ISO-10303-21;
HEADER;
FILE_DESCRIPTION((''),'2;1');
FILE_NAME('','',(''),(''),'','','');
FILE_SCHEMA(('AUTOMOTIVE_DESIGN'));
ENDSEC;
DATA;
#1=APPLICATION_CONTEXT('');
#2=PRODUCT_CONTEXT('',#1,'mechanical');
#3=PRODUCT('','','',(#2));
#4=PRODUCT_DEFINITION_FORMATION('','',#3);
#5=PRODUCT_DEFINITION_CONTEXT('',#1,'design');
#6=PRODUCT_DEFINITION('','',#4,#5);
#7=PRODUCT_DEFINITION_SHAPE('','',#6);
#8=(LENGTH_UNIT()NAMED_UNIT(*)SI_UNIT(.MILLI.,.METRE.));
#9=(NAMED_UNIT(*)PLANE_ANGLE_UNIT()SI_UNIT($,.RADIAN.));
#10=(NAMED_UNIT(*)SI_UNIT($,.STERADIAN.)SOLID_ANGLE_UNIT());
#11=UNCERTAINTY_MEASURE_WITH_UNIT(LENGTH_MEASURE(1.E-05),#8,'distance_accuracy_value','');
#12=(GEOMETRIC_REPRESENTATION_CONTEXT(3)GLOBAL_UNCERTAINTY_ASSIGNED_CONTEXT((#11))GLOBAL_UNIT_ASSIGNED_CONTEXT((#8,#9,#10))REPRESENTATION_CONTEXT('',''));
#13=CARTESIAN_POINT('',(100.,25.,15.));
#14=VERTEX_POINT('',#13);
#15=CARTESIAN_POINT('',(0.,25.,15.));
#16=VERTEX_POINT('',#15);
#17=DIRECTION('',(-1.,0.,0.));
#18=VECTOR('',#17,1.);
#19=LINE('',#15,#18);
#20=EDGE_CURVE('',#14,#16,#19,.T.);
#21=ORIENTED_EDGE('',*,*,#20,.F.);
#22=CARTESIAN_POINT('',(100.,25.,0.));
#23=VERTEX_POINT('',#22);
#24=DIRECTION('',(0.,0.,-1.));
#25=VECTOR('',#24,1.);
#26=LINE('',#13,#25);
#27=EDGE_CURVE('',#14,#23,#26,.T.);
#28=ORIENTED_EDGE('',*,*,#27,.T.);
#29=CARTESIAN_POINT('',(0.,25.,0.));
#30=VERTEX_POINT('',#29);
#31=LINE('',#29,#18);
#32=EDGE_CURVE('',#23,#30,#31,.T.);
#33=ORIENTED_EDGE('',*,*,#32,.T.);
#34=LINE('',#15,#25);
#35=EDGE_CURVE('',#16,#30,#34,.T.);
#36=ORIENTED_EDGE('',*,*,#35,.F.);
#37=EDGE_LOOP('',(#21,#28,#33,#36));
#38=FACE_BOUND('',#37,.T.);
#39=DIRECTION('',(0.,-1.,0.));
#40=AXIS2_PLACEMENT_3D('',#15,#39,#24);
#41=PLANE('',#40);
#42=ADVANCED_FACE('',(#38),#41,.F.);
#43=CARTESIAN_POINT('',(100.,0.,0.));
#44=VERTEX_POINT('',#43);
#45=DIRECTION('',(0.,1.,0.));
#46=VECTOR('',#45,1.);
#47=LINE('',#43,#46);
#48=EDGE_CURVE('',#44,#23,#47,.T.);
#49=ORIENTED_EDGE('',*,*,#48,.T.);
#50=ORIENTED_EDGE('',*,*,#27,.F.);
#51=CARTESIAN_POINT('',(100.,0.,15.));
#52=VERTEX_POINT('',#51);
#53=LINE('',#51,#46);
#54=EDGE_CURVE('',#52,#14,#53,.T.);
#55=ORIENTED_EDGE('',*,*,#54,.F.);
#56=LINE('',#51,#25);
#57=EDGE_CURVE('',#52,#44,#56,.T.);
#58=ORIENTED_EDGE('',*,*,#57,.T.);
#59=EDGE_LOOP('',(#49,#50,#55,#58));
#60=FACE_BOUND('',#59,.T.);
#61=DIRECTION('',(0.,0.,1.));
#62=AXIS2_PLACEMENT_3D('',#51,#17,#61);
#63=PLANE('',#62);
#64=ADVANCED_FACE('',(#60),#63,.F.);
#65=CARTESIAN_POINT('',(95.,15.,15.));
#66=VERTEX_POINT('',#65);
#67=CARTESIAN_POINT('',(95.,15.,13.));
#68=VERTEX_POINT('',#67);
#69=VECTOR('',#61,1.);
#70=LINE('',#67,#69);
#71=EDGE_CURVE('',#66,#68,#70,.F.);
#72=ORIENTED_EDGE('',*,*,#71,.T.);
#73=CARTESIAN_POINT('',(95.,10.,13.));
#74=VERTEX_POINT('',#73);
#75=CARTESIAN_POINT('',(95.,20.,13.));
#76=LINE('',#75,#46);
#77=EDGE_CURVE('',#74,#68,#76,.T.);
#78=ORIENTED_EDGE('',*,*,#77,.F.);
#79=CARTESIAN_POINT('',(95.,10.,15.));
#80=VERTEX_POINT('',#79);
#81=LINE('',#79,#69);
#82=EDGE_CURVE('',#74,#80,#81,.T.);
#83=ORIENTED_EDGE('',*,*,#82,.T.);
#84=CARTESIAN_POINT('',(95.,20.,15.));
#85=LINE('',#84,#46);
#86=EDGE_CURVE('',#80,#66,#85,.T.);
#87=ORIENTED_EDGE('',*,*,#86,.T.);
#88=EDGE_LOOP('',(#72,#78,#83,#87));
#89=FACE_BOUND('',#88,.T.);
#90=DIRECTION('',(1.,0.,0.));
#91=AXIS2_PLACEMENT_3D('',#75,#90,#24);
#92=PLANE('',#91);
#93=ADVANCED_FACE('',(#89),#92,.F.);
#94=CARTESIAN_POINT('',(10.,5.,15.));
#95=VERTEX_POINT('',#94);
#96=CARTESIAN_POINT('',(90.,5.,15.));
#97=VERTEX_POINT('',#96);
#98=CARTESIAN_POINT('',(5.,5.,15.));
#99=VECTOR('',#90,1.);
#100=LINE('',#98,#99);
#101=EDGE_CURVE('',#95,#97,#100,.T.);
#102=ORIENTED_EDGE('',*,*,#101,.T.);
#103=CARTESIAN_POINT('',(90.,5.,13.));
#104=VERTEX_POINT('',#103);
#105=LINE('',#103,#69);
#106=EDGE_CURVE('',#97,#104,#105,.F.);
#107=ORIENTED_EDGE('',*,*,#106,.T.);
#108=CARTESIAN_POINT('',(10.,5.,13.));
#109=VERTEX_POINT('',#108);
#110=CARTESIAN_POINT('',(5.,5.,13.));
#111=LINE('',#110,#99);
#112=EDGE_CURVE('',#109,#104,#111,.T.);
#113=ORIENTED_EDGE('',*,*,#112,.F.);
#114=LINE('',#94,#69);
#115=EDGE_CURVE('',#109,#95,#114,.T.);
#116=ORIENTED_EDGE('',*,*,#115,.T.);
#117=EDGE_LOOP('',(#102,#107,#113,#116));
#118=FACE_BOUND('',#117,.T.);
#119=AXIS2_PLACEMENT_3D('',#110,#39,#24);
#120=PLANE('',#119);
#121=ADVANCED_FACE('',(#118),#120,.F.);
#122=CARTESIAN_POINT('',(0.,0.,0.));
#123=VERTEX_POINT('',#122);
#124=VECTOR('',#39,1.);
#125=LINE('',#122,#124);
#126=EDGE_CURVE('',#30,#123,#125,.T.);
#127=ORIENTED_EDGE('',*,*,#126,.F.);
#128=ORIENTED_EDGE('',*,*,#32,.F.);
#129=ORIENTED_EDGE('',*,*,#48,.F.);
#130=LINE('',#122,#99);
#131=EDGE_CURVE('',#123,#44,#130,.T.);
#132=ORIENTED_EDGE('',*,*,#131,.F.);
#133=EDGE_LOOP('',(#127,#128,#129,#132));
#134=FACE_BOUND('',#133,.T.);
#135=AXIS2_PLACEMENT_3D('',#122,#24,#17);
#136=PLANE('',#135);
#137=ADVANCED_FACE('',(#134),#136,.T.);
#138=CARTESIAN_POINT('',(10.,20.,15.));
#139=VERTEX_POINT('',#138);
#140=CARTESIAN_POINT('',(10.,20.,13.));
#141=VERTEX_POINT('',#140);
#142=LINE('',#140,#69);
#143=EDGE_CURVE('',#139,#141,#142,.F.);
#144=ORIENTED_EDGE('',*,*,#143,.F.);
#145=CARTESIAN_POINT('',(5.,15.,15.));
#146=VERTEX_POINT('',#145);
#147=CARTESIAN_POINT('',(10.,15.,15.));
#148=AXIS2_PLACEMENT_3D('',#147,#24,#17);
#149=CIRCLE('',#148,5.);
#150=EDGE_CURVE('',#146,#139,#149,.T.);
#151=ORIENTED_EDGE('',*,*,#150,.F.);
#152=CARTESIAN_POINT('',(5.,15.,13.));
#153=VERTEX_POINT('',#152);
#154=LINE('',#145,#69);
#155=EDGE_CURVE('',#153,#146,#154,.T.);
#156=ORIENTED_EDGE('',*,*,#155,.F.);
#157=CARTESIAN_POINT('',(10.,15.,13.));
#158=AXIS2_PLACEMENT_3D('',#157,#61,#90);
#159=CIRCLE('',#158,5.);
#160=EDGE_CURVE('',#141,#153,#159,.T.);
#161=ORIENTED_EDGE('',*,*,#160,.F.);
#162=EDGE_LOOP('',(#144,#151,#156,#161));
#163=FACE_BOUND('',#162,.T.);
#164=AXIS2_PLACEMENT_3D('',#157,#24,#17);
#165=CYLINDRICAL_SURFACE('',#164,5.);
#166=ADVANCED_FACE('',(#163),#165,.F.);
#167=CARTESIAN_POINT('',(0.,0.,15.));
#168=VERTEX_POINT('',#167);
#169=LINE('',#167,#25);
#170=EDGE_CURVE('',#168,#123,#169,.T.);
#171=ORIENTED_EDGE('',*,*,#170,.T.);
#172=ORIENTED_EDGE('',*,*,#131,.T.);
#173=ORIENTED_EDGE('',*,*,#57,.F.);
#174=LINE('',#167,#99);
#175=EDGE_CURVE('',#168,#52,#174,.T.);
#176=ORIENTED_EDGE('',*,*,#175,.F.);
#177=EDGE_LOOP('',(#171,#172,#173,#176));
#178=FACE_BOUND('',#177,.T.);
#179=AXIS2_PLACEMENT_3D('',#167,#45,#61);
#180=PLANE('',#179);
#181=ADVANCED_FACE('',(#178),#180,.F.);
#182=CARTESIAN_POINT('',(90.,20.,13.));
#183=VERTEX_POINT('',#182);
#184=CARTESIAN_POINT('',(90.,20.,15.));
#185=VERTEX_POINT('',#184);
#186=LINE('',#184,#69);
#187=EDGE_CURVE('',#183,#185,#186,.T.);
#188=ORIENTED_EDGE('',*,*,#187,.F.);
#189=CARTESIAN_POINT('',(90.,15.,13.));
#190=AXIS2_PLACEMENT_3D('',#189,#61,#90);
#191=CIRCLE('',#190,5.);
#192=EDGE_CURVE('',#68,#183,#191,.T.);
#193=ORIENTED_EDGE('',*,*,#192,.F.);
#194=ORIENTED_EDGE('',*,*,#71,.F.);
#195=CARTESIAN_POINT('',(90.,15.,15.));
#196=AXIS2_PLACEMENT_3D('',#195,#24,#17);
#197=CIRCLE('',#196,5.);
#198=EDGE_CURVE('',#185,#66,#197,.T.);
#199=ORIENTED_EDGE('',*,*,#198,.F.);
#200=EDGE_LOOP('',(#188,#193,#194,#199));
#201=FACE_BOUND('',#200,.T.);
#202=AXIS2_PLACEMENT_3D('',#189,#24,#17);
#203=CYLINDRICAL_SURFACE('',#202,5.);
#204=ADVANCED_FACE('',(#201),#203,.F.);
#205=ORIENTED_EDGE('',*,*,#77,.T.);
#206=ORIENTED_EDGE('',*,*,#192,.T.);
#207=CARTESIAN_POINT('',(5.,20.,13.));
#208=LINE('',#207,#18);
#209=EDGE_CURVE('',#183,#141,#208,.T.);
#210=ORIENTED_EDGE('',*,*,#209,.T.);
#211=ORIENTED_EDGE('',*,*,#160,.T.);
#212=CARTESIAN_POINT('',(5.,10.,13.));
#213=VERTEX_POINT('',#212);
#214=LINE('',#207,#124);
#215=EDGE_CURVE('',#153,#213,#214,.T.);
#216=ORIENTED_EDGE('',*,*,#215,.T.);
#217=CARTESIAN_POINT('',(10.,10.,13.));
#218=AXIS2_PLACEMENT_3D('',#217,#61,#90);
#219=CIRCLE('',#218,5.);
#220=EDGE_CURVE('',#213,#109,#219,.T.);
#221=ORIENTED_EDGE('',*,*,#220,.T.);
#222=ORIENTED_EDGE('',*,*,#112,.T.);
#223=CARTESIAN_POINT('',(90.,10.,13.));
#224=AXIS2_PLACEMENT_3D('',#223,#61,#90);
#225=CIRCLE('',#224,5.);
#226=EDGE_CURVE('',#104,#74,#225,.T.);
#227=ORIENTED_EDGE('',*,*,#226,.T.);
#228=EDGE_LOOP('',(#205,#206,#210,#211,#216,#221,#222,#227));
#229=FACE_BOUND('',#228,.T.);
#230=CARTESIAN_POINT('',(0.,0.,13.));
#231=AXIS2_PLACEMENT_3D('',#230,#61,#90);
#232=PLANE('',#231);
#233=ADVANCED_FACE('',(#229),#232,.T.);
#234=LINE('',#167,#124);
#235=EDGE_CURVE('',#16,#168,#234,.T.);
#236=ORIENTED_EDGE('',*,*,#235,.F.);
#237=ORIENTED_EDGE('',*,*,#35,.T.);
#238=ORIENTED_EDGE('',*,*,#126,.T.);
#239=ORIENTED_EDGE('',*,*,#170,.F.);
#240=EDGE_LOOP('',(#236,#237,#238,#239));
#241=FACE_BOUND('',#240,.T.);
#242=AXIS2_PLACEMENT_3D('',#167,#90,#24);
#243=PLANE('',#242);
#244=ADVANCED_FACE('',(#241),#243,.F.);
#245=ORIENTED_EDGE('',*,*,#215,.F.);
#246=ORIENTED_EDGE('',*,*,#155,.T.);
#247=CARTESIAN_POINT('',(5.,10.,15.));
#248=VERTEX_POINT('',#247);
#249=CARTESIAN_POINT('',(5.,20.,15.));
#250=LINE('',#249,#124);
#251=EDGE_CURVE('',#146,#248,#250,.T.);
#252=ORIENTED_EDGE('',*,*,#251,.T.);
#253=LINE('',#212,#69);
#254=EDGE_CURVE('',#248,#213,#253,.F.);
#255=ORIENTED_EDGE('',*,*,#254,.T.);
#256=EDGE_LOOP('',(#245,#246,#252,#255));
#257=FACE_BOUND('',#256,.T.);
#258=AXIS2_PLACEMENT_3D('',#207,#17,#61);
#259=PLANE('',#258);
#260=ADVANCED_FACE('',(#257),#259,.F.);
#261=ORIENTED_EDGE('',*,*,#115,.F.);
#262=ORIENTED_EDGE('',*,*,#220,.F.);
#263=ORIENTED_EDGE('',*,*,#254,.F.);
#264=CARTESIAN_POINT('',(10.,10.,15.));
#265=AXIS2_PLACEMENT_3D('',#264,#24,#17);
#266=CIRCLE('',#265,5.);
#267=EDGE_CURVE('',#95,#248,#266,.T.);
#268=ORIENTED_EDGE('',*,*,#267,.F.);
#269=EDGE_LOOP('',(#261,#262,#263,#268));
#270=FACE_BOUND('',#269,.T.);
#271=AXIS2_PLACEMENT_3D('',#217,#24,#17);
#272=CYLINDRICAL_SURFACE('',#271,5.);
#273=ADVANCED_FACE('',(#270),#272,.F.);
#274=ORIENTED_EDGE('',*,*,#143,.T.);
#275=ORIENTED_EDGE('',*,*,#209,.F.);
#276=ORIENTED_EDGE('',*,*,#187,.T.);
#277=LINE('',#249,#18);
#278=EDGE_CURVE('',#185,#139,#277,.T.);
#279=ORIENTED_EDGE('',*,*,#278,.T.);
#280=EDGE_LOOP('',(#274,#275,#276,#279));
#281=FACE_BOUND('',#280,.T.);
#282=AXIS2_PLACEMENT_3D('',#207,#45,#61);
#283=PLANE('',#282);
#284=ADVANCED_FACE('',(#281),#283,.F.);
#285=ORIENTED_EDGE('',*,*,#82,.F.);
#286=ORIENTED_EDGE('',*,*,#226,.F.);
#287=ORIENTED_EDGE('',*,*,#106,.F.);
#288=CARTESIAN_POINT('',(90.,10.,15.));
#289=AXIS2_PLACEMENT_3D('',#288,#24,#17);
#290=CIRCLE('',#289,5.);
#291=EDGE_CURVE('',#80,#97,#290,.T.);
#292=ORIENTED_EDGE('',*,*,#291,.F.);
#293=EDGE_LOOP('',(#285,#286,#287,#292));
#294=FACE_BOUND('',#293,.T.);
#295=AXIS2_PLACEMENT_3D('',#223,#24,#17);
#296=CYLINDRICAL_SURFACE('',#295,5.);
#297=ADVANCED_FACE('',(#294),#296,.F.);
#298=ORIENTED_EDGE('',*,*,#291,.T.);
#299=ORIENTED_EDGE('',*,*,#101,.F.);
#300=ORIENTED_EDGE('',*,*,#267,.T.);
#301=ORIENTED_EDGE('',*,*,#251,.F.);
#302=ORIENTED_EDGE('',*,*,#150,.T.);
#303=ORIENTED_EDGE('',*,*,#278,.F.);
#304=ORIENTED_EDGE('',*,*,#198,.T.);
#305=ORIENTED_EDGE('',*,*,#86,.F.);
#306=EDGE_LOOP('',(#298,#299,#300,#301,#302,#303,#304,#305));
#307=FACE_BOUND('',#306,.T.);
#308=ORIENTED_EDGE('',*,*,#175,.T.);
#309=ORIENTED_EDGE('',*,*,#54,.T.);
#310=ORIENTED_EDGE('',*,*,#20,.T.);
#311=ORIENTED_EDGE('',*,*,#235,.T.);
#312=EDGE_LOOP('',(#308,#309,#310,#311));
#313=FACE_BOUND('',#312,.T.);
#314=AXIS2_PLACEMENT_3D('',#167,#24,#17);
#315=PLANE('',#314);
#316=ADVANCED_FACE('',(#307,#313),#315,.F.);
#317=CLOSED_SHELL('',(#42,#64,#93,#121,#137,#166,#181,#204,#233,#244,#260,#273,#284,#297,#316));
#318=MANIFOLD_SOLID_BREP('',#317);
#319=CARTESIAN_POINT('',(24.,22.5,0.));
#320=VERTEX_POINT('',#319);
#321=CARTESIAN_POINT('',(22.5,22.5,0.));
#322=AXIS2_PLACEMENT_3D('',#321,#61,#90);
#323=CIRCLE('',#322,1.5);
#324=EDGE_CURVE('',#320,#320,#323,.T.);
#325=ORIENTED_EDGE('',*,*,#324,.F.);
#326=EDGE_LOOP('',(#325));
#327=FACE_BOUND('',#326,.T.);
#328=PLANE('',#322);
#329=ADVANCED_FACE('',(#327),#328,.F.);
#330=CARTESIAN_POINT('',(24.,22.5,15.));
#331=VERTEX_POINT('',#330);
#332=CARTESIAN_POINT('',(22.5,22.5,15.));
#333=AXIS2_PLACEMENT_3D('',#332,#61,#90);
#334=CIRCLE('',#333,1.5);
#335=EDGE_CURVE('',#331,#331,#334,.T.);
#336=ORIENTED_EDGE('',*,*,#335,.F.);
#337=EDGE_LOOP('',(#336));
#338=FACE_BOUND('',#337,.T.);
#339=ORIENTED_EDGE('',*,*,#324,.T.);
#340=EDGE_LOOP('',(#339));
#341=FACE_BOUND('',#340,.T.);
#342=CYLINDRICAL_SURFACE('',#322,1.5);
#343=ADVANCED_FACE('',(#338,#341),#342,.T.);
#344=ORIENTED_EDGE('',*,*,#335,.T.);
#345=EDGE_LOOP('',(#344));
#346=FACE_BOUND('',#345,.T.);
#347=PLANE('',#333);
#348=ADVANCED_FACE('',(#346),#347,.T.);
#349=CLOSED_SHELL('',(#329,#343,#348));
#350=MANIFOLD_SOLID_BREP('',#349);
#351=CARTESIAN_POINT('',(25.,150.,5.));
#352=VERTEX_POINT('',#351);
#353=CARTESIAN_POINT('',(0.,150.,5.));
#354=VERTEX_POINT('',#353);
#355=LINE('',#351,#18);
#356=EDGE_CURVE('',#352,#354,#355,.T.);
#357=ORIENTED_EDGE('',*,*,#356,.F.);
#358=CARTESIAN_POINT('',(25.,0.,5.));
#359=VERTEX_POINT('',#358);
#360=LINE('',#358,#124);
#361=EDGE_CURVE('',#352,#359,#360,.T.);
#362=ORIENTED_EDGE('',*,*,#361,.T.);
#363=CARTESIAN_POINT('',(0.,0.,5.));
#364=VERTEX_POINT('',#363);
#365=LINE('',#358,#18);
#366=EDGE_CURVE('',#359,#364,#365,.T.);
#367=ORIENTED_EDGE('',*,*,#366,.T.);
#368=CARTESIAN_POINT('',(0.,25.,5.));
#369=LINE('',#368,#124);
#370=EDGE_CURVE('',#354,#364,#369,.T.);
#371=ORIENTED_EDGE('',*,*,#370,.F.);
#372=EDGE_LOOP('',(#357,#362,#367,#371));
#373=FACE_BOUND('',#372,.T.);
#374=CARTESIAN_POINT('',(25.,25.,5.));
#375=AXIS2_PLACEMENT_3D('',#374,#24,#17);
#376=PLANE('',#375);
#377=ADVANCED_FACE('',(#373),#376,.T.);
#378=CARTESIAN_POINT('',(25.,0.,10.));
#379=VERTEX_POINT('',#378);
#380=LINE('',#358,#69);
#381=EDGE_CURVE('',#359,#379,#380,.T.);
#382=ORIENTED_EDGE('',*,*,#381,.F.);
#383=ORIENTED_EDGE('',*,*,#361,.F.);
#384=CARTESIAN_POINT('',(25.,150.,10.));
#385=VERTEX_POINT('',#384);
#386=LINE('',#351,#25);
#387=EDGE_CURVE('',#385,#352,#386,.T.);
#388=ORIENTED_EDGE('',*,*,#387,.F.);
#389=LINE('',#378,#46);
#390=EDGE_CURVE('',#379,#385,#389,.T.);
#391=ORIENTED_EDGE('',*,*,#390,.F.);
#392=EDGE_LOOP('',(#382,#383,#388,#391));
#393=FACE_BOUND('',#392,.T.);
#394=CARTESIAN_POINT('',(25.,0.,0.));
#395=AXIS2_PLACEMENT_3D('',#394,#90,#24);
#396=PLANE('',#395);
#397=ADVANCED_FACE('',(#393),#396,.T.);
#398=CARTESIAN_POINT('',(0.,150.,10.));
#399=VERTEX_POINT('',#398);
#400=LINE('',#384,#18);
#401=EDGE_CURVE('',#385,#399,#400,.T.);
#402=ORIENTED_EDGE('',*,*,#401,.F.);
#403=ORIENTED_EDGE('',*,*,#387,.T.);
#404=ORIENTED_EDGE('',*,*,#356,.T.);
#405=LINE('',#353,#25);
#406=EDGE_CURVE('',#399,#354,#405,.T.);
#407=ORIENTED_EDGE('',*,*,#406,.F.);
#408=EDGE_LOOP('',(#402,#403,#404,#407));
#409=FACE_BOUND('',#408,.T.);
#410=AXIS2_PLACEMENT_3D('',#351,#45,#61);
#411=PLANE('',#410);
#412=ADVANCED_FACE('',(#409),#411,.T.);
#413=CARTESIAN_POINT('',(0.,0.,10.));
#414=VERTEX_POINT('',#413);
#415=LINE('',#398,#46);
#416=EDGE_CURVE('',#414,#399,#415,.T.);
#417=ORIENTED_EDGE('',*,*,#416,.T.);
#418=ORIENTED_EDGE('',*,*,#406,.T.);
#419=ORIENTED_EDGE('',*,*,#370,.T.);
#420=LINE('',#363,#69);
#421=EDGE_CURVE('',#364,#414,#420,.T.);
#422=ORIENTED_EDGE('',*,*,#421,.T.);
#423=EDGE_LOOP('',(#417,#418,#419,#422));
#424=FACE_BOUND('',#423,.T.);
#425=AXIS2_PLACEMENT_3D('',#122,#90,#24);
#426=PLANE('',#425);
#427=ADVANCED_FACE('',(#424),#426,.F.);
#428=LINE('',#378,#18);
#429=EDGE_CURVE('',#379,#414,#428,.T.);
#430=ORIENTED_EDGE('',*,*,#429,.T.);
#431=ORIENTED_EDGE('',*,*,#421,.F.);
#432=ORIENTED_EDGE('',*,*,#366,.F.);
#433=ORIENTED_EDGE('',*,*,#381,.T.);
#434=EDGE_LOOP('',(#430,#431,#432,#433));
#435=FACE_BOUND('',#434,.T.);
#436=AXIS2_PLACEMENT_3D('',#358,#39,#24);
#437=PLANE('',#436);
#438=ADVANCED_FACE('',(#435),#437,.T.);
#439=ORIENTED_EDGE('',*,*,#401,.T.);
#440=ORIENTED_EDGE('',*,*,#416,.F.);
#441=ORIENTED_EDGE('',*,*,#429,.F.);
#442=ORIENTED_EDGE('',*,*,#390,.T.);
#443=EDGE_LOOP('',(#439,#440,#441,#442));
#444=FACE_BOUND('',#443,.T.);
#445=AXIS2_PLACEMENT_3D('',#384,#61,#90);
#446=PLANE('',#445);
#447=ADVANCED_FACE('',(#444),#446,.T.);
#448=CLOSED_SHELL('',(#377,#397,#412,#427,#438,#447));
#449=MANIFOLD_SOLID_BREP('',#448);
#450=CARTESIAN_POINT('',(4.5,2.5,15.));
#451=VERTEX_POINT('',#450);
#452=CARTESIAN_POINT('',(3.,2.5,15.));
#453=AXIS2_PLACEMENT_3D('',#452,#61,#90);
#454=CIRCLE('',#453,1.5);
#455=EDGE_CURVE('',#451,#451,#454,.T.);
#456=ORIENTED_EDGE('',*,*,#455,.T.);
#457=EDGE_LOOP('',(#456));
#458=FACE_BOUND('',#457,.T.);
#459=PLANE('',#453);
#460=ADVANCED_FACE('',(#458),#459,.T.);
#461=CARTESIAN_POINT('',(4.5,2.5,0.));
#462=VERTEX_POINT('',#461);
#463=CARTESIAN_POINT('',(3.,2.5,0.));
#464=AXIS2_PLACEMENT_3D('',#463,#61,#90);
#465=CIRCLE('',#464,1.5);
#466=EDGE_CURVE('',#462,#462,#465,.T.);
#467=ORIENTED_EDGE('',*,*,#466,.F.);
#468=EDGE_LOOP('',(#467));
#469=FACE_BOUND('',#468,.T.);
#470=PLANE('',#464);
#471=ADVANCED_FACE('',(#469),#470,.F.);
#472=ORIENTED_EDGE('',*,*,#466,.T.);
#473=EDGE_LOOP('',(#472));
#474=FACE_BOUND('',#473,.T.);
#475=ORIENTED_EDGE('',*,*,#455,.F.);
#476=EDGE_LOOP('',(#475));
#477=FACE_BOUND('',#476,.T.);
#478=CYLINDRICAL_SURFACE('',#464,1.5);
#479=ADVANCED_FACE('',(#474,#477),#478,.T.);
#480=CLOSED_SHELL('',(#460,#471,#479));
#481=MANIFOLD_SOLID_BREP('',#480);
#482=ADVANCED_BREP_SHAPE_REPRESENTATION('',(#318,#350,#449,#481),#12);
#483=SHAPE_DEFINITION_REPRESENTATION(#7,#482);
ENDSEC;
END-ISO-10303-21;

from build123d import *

# Parameters (mm, degrees)
ESQUISSE1_W             = 100
ESQUISSE1_H             = 25
BOSS_EXTRU_1_DEPTH      = 15
BOSS_EXTRU_2_DEPTH      = 25
ESQUISSE3_W             = 90
ESQUISSE3_H             = 15
ENL_V_MAT_EXTRU_1_DEPTH = 2
CONG_1_R                = 5
ESQUISSE4_R             = 1.5
BOSS_EXTRU_3_DEPTH      = 15
BOSS_EXTRU_3_2_DEPTH    = 15


with BuildPart() as part:
    # Esquisse1 → Boss.-Extru.1 (new body)
    with BuildSketch(Plane.XY):
        with Locations((50, 12.5)):
            Rectangle(ESQUISSE1_W, ESQUISSE1_H)
    extrude(amount=BOSS_EXTRU_1_DEPTH)

    # Esquisse3 → Enlèv. mat.-Extru.1 (cut)
    with BuildSketch(Plane.XY.offset(15)):
        with Locations((50, 12.5)):
            Rectangle(ESQUISSE3_W, ESQUISSE3_H)
    extrude(amount=-ENL_V_MAT_EXTRU_1_DEPTH, mode=Mode.SUBTRACT)

    # Congé1
    cong_1_edges = [part.edges().sort_by_distance(p)[0] for p in [
        (5, 5, 14),
        (5, 20, 14),
        (95, 20, 14),
        (95, 5, 14),
    ]]
    fillet(cong_1_edges, radius=CONG_1_R)


with BuildPart() as body_2:
    # Esquisse2 → Boss.-Extru.2 (new body)
    with BuildSketch(Plane.ZY):
        Polygon((5, 0), (10, 0), (10, 25), (10, 150), (5, 150), (5, 25), align=None)
    extrude(amount=-BOSS_EXTRU_2_DEPTH)


with BuildPart() as body_3:
    # Esquisse4 → Boss.-Extru.3 (new body)
    with BuildSketch(Plane.XY.offset(15)):
        with Locations((22.5, 22.5)):
            Circle(ESQUISSE4_R)
    extrude(amount=-BOSS_EXTRU_3_DEPTH)


with BuildPart() as body_4:
    # Esquisse4 → Boss.-Extru.3 2 (new body)
    with BuildSketch(Plane.XY.offset(15)):
        with Locations((3, 2.5)):
            Circle(ESQUISSE4_R)
    extrude(amount=-BOSS_EXTRU_3_2_DEPTH)


solid = Compound([part.part, body_2.part, body_3.part, body_4.part])
